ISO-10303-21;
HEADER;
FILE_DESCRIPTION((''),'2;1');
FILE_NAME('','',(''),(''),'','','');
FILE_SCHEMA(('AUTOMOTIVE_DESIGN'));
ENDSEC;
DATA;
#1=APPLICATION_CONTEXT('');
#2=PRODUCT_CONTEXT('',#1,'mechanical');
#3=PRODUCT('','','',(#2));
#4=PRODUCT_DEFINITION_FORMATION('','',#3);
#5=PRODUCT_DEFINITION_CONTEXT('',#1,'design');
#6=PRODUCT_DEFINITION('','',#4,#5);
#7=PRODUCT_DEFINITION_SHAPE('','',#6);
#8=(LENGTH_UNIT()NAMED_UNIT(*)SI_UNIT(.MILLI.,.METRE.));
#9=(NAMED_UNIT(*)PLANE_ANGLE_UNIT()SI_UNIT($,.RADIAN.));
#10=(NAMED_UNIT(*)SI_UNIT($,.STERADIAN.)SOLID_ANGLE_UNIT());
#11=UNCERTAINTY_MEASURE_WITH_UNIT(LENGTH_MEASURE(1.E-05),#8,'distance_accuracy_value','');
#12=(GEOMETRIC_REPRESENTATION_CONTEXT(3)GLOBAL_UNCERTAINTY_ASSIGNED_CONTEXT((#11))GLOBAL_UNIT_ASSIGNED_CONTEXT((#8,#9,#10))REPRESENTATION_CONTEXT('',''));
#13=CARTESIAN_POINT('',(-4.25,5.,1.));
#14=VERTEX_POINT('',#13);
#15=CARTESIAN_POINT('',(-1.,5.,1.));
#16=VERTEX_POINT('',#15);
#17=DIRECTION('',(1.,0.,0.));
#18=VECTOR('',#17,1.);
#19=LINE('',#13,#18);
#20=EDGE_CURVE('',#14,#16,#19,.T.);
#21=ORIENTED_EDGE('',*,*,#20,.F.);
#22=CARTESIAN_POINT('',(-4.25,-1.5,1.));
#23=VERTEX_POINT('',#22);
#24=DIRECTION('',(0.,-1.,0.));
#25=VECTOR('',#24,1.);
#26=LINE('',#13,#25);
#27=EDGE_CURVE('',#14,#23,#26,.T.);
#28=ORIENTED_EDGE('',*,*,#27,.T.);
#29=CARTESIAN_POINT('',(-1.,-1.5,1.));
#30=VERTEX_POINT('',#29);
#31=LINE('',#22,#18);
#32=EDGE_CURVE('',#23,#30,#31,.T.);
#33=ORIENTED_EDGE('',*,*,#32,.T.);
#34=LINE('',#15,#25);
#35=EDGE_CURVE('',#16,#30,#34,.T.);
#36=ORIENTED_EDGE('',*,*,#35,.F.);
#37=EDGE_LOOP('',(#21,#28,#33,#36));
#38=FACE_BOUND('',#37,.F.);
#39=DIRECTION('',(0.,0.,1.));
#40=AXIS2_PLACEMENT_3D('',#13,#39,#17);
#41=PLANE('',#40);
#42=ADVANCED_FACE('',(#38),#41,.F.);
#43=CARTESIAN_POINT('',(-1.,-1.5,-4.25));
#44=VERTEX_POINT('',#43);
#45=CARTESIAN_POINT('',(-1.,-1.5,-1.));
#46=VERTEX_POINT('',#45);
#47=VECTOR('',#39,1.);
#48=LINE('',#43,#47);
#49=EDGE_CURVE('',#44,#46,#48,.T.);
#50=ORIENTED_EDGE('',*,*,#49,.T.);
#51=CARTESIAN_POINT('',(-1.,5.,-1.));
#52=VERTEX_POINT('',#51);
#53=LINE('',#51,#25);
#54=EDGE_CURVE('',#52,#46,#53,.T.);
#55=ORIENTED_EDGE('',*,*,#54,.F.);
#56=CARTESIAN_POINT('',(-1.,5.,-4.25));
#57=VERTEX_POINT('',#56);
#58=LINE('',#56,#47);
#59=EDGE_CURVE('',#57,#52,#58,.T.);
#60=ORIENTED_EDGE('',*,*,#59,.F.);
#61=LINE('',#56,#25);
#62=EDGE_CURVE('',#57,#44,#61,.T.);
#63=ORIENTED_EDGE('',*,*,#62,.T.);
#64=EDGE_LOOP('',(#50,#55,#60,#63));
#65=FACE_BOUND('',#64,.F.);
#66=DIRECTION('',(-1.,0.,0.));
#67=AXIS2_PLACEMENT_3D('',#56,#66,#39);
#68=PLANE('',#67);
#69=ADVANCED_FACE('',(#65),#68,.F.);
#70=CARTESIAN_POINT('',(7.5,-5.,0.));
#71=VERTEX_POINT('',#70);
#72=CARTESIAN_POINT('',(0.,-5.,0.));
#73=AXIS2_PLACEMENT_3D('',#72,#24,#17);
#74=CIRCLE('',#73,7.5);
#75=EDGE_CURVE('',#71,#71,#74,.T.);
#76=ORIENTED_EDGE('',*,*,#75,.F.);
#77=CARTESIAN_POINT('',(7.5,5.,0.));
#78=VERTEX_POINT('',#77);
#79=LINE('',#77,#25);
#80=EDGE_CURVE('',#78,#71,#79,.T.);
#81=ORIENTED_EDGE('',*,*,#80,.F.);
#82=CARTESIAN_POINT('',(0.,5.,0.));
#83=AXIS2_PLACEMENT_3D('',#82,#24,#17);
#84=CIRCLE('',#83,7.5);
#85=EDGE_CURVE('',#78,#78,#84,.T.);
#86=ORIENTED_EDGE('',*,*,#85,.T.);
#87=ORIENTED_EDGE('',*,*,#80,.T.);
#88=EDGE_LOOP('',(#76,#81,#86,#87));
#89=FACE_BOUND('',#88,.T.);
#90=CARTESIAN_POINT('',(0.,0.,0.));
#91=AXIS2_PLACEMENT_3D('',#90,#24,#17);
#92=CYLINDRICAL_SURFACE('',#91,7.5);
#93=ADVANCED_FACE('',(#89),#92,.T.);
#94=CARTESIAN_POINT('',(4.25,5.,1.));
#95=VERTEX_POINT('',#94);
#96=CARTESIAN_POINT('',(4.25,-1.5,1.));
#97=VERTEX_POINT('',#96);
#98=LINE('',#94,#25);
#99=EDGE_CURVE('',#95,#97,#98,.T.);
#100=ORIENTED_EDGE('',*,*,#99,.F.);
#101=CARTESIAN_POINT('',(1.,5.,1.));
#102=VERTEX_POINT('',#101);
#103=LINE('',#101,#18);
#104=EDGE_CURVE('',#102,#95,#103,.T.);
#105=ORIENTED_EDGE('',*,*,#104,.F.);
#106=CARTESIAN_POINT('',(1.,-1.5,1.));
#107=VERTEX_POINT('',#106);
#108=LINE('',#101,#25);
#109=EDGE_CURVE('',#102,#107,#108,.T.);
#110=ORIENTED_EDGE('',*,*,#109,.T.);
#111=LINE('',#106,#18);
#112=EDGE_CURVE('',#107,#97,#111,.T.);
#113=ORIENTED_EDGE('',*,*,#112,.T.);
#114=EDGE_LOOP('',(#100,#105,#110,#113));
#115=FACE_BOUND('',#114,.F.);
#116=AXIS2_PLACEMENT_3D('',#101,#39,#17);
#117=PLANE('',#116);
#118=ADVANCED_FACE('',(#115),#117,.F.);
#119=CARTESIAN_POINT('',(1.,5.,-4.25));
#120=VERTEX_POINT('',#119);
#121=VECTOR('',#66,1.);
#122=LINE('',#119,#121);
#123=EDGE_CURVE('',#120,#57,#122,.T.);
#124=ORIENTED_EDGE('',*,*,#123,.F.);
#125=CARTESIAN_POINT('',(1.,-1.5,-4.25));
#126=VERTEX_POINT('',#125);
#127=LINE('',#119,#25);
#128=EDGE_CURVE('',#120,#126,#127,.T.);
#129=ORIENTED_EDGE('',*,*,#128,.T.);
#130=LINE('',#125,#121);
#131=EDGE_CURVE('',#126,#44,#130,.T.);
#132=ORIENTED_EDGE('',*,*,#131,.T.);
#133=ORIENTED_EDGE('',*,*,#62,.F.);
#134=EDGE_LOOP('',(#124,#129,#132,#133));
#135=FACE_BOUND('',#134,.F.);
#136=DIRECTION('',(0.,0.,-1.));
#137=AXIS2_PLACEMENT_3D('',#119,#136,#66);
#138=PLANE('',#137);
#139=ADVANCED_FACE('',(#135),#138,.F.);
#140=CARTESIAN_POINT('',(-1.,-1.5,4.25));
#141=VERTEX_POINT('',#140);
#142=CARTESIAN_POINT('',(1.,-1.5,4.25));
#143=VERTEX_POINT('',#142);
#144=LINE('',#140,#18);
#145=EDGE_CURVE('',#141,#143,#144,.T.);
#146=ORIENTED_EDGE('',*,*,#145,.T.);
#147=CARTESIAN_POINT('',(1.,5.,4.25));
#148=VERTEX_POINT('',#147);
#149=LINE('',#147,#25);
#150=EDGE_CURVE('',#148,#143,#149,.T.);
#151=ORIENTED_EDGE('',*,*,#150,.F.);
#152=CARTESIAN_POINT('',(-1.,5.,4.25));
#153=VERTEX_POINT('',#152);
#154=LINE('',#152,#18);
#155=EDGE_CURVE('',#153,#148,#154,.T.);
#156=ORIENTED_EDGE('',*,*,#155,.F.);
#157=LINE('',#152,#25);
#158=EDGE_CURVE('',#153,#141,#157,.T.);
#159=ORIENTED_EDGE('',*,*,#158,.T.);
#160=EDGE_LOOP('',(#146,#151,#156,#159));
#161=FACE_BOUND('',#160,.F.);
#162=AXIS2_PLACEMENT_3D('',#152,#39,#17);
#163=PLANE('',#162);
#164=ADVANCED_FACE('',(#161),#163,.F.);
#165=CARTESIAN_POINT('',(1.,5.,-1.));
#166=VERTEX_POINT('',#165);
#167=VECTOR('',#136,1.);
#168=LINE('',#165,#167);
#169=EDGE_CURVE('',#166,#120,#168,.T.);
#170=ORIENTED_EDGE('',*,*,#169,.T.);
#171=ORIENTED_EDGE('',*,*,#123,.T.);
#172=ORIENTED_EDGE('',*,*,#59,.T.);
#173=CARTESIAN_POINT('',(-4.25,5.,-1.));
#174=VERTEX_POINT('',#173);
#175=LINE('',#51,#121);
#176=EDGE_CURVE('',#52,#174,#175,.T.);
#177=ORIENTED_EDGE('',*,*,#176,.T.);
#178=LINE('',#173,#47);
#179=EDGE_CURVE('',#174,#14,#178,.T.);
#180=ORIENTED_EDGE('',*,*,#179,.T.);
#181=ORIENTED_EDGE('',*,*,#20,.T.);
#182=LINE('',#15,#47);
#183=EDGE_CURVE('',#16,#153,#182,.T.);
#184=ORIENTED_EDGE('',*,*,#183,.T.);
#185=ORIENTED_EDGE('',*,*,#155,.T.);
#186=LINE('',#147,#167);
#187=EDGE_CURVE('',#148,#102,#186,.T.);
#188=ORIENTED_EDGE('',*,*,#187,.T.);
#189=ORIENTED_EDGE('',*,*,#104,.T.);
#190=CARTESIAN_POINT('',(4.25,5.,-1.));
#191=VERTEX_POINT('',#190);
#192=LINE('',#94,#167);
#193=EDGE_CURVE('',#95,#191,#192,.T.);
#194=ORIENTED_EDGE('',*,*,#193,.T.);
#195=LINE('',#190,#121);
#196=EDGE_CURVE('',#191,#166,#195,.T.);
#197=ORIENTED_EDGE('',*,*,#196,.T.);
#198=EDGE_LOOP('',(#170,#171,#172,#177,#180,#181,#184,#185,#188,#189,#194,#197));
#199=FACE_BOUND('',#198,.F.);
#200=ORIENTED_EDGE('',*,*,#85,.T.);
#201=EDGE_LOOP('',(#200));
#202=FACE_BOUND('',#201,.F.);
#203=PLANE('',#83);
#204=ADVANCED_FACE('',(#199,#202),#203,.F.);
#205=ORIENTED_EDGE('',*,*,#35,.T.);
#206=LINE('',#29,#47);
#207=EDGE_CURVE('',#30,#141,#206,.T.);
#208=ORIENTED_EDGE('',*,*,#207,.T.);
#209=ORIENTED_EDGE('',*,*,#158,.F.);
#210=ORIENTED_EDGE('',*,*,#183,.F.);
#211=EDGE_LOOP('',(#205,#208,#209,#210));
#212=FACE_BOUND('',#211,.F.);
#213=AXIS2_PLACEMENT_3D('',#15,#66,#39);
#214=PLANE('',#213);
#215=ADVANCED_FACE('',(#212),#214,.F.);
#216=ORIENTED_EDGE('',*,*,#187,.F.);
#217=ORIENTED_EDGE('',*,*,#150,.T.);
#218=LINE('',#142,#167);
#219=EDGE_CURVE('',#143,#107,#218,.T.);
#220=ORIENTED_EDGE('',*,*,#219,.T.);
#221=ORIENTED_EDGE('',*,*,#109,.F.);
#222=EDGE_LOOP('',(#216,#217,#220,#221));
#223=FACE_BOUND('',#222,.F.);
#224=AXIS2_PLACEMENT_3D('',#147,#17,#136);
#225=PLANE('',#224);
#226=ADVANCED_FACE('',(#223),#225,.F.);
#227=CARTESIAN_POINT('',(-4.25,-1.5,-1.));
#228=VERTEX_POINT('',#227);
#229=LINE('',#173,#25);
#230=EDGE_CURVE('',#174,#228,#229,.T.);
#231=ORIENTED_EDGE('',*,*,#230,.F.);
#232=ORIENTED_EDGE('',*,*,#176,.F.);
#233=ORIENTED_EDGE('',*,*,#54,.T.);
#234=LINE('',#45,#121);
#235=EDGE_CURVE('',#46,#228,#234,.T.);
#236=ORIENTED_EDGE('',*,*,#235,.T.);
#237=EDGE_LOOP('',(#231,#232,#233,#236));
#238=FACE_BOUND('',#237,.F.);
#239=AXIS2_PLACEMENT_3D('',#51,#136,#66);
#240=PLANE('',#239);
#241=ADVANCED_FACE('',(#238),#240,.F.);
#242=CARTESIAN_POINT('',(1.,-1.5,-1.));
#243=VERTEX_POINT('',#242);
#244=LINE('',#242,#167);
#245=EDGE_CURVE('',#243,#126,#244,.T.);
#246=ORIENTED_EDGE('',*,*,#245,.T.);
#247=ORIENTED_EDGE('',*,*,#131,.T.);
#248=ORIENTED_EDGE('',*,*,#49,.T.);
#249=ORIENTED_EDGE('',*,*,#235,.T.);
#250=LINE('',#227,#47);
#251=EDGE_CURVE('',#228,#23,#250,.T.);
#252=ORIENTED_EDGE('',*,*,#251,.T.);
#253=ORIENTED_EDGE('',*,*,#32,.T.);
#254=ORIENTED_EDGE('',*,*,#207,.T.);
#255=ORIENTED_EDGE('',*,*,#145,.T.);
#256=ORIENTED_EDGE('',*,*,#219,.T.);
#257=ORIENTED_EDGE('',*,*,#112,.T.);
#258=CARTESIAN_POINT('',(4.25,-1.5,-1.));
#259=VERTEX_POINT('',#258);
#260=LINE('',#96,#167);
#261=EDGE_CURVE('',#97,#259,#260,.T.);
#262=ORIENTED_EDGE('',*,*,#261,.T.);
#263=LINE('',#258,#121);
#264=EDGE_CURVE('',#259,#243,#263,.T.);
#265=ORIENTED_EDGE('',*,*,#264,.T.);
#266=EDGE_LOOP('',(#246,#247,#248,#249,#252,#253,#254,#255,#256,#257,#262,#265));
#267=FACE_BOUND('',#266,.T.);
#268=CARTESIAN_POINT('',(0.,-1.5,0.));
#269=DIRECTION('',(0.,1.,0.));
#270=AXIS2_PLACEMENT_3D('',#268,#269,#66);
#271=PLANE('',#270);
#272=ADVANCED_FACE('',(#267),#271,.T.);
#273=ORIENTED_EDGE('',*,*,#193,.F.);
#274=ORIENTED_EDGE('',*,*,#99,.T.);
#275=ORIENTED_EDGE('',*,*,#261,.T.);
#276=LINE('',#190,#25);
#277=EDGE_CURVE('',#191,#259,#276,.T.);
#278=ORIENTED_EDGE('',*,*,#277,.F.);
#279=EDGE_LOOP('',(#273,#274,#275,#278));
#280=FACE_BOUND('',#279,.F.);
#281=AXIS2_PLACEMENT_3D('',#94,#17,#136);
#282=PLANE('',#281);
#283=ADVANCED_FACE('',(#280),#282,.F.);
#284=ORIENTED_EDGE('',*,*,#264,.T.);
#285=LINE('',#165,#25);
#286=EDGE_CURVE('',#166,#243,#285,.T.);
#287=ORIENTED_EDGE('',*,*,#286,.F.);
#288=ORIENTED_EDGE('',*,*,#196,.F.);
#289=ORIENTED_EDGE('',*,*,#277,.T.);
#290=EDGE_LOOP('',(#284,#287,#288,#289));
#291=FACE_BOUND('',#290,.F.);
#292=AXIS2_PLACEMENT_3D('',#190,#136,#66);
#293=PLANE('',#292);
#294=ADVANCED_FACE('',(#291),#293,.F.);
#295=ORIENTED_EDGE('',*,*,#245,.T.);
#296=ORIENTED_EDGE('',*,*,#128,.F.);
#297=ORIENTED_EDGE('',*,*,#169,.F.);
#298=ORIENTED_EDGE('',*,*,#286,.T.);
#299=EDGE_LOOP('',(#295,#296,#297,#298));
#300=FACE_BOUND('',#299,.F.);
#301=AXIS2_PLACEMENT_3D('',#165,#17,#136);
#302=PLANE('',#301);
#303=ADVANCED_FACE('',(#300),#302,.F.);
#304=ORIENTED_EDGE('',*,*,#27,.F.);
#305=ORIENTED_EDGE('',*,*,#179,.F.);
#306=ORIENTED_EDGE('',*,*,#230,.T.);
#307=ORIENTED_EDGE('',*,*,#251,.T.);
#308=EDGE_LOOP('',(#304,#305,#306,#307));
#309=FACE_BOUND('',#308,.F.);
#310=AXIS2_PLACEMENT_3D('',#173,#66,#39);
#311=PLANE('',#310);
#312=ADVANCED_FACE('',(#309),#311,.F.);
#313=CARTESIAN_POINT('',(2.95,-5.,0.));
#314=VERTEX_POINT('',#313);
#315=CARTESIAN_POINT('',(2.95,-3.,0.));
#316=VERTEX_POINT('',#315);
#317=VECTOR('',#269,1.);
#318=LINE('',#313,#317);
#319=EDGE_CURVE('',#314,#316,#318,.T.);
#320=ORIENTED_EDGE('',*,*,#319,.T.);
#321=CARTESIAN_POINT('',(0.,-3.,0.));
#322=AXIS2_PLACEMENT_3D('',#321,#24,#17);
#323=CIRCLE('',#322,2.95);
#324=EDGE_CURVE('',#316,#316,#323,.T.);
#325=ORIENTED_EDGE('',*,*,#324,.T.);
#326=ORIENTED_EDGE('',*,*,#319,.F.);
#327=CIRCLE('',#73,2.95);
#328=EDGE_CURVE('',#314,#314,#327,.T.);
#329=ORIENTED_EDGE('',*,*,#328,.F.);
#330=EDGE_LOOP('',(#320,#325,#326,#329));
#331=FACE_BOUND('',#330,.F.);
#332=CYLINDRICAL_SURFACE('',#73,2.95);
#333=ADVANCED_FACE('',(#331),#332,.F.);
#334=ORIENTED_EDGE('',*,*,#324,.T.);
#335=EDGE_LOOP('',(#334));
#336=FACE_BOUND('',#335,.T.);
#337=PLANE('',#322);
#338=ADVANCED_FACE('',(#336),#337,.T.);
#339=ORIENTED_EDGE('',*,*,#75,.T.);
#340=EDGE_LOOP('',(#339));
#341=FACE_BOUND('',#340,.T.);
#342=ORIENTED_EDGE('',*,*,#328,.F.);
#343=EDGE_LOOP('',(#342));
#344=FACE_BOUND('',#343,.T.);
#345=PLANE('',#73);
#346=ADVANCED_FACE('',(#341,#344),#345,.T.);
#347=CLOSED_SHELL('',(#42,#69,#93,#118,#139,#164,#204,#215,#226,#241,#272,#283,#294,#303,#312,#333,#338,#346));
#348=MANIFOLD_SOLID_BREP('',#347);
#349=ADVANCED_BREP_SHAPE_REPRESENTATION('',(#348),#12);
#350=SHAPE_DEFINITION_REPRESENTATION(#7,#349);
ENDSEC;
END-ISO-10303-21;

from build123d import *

# Parameters (mm, degrees)
F0_R     = 7.5
F1_DEPTH = 5
F2_R     = 2.95
F3_DEPTH = 2
F5_DEPTH = 6.5


with BuildPart() as f1:
    # F0 (on Front) → F1 (new body, symmetric)
    with BuildSketch(Plane.XZ):
        Circle(F0_R)
    extrude(amount=F1_DEPTH, both=True)

    # F2 (on face) → F3 (cut)
    with BuildSketch(Plane.XZ.offset(5)):
        Circle(F2_R)
    extrude(amount=-F3_DEPTH, mode=Mode.SUBTRACT)

    # F4 (on face) → F5 (cut)
    with BuildSketch(Plane(origin=(0, 5, 0), x_dir=(-1, 0, 0), z_dir=(0, 1, 0))):
        Polygon((1, 4.25), (-1, 4.25), (-1, 1), (-4.25, 1), (-4.25, -1), (-1, -1), (-1, -4.25), (1, -4.25), (1, -1), (4.25, -1), (4.25, 1), (1, 1), align=None)
    extrude(amount=-F5_DEPTH, mode=Mode.SUBTRACT)


solid = f1.part
